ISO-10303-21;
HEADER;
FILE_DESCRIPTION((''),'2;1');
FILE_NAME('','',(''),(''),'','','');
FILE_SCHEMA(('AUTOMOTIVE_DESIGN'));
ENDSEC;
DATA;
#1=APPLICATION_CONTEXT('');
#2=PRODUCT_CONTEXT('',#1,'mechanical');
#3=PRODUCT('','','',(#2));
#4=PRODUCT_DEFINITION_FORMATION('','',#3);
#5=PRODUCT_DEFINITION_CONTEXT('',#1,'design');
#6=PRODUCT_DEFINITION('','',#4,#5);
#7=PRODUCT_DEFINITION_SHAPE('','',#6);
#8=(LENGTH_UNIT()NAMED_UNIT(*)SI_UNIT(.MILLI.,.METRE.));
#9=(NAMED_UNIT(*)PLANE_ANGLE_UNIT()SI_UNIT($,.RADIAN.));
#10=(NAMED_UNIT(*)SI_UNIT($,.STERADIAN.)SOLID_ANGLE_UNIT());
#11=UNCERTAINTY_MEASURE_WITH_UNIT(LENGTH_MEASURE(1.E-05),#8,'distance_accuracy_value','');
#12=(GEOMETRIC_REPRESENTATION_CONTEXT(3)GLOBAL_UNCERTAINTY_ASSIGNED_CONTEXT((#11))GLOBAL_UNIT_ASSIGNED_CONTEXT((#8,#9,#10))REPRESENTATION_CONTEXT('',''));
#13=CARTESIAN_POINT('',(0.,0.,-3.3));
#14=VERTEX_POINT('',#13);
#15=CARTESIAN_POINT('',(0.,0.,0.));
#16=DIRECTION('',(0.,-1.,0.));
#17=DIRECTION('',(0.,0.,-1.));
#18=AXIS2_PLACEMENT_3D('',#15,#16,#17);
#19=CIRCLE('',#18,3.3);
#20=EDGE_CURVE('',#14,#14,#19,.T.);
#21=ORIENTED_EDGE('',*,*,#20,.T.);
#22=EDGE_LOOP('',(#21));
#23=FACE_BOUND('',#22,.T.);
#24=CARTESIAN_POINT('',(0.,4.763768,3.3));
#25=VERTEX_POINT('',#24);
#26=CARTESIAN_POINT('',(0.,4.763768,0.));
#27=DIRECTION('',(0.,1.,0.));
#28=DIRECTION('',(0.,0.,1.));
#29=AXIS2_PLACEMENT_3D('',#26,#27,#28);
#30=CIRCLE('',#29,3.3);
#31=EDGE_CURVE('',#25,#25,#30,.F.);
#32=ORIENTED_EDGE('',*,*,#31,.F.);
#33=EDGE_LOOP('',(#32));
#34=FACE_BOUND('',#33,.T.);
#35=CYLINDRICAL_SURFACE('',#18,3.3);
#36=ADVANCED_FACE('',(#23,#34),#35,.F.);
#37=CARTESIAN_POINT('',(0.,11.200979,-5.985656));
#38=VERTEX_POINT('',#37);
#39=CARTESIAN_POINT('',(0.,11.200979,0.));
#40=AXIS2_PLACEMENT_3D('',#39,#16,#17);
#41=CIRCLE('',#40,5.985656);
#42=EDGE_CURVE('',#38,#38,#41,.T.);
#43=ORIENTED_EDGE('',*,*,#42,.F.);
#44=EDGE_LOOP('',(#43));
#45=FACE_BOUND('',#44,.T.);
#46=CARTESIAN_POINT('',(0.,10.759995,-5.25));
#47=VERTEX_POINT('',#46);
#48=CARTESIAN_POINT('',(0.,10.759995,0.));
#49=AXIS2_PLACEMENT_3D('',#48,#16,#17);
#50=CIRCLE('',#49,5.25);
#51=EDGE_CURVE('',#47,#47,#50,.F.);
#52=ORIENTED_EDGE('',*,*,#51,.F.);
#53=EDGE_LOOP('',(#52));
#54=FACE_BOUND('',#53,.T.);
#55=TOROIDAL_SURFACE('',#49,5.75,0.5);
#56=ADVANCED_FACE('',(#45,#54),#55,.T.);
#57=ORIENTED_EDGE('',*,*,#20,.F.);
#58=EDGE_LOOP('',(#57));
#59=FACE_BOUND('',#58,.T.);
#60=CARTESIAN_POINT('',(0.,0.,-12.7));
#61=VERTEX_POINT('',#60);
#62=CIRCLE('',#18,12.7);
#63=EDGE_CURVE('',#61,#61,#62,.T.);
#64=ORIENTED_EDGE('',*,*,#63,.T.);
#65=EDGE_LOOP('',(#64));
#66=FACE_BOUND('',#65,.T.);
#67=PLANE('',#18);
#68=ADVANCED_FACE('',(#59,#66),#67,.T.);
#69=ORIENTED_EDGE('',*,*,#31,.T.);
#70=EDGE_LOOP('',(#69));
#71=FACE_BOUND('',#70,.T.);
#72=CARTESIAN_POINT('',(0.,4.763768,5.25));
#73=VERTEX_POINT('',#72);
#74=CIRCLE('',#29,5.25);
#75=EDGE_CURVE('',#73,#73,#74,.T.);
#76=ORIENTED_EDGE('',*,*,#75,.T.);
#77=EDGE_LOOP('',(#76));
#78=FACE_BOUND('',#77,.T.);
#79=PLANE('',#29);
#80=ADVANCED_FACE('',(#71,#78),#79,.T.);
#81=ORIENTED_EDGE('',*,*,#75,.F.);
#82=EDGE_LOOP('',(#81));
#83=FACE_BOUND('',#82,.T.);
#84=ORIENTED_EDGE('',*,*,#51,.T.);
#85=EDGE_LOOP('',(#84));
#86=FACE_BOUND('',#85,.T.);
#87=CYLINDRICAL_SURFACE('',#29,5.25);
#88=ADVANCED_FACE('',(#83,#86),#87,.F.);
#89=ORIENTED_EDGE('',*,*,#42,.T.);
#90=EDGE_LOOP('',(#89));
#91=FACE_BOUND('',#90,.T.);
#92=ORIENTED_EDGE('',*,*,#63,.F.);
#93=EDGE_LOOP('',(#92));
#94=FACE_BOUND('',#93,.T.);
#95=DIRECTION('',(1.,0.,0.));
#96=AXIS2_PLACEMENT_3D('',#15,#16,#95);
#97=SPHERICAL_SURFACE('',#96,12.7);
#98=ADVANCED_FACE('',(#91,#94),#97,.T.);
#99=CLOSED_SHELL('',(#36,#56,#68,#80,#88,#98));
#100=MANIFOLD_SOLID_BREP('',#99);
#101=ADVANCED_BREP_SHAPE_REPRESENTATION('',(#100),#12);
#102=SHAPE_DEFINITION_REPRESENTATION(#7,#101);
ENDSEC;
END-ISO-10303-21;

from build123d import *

# Parameters (mm, degrees)
M6_CLEARANCE_HOLE1_D = 6.6
SKETCH6_R            = 5.25
CUT_EXTRUDE1_DEPTH   = 7.5
FILLET1_R            = 0.5


with BuildPart() as part:
    # Sketch2 → Revolve1 (revolve)
    with BuildSketch(Plane.XY):
        with BuildLine():
            Line((0, 0), (12.7, 0))
            ThreePointArc((12.7, 0), (8.980256121, 8.980256121), (0, 12.7))
            Line((0, 12.7), (0, 0))
        make_face()
    revolve(axis=Axis((0, 0, 0), (0, 1, 0)))

    # M6 Clearance Hole1 (through all)
    with Locations(Plane(origin=(0, 0, 0), x_dir=(-1, 0, 0), z_dir=(0, -1, 0))):
        with Locations((0, 0)):
            Hole(M6_CLEARANCE_HOLE1_D / 2)

    # Sketch6 → Cut-Extrude1 (cut)
    with BuildSketch(Plane(origin=(0, 12.263767773, 0), x_dir=(1, 0, 0), z_dir=(0, 1, 0))):
        with Locations(Location((0, 0, 0), (0, 0, 270))):
            Circle(SKETCH6_R)
    extrude(amount=-CUT_EXTRUDE1_DEPTH, mode=Mode.SUBTRACT)

    # Fillet1
    fillet1_edges = [part.edges().sort_by_distance(p)[0] for p in [
        (-3.712310601, 11.564060705, -3.712310601),
    ]]
    fillet(fillet1_edges, radius=FILLET1_R)


solid = part.part
